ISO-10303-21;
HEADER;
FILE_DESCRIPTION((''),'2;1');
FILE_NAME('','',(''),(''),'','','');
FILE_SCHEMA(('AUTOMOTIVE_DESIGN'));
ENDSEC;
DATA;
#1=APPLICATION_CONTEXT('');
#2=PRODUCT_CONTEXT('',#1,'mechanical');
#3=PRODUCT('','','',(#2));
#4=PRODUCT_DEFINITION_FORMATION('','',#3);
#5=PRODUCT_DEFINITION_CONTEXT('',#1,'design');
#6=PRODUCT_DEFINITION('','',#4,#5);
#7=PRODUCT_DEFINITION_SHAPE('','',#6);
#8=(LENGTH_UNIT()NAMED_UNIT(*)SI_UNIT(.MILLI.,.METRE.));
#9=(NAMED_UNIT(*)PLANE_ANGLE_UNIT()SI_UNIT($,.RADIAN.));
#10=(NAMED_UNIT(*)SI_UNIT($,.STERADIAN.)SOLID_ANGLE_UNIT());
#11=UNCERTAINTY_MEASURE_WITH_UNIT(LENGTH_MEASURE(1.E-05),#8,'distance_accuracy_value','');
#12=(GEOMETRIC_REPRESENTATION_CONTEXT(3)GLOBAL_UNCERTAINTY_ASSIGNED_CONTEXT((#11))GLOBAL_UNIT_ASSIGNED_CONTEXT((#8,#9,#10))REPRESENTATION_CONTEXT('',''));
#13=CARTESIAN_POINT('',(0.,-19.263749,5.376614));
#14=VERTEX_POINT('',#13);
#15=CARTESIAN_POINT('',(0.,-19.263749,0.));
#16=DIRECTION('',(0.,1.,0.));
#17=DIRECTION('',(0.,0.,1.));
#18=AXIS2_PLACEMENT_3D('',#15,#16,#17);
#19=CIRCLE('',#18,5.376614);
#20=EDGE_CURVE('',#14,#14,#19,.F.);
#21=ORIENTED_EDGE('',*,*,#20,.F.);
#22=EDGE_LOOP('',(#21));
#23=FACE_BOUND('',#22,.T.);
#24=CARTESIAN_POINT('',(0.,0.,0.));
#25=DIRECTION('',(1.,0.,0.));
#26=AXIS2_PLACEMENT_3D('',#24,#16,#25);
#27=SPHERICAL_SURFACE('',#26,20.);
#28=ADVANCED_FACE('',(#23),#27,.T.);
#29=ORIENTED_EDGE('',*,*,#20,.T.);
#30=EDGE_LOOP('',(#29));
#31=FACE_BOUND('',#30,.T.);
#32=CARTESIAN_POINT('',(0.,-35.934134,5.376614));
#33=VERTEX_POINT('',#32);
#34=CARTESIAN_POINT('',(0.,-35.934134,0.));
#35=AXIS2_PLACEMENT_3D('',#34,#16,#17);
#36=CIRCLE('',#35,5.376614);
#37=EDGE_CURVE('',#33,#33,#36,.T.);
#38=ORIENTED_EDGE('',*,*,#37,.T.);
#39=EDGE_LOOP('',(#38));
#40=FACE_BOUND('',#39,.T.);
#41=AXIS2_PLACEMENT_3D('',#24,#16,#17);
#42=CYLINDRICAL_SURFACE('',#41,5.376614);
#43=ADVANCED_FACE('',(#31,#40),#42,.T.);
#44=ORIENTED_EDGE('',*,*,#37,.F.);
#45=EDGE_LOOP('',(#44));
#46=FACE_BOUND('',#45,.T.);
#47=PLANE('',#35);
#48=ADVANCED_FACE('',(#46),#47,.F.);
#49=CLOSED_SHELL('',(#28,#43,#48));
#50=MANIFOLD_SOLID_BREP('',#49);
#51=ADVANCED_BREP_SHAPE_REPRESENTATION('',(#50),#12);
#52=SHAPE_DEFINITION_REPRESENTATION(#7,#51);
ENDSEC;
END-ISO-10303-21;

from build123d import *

# Parameters (mm, degrees)
SKETCH8_W = 5.376614224
SKETCH8_H = 35.934134015


with BuildPart() as part:
    # Sketch1 → Revolve1 (revolve)
    with BuildSketch(Plane.XY):
        with BuildLine():
            Line((0, 20), (0, -20))
            ThreePointArc((0, -20), (20, 0), (0, 20))
        make_face()
    revolve(axis=Axis((0, 20, 0), (0, -1, 0)))

    # Sketch8 → Revolve2 (revolve)
    with BuildSketch(Plane.XY):
        with Locations((2.688307112, -17.967067008)):
            Rectangle(SKETCH8_W, SKETCH8_H)
    revolve(axis=Axis((0, 0, 0), (0, -1, 0)))


solid = part.part
